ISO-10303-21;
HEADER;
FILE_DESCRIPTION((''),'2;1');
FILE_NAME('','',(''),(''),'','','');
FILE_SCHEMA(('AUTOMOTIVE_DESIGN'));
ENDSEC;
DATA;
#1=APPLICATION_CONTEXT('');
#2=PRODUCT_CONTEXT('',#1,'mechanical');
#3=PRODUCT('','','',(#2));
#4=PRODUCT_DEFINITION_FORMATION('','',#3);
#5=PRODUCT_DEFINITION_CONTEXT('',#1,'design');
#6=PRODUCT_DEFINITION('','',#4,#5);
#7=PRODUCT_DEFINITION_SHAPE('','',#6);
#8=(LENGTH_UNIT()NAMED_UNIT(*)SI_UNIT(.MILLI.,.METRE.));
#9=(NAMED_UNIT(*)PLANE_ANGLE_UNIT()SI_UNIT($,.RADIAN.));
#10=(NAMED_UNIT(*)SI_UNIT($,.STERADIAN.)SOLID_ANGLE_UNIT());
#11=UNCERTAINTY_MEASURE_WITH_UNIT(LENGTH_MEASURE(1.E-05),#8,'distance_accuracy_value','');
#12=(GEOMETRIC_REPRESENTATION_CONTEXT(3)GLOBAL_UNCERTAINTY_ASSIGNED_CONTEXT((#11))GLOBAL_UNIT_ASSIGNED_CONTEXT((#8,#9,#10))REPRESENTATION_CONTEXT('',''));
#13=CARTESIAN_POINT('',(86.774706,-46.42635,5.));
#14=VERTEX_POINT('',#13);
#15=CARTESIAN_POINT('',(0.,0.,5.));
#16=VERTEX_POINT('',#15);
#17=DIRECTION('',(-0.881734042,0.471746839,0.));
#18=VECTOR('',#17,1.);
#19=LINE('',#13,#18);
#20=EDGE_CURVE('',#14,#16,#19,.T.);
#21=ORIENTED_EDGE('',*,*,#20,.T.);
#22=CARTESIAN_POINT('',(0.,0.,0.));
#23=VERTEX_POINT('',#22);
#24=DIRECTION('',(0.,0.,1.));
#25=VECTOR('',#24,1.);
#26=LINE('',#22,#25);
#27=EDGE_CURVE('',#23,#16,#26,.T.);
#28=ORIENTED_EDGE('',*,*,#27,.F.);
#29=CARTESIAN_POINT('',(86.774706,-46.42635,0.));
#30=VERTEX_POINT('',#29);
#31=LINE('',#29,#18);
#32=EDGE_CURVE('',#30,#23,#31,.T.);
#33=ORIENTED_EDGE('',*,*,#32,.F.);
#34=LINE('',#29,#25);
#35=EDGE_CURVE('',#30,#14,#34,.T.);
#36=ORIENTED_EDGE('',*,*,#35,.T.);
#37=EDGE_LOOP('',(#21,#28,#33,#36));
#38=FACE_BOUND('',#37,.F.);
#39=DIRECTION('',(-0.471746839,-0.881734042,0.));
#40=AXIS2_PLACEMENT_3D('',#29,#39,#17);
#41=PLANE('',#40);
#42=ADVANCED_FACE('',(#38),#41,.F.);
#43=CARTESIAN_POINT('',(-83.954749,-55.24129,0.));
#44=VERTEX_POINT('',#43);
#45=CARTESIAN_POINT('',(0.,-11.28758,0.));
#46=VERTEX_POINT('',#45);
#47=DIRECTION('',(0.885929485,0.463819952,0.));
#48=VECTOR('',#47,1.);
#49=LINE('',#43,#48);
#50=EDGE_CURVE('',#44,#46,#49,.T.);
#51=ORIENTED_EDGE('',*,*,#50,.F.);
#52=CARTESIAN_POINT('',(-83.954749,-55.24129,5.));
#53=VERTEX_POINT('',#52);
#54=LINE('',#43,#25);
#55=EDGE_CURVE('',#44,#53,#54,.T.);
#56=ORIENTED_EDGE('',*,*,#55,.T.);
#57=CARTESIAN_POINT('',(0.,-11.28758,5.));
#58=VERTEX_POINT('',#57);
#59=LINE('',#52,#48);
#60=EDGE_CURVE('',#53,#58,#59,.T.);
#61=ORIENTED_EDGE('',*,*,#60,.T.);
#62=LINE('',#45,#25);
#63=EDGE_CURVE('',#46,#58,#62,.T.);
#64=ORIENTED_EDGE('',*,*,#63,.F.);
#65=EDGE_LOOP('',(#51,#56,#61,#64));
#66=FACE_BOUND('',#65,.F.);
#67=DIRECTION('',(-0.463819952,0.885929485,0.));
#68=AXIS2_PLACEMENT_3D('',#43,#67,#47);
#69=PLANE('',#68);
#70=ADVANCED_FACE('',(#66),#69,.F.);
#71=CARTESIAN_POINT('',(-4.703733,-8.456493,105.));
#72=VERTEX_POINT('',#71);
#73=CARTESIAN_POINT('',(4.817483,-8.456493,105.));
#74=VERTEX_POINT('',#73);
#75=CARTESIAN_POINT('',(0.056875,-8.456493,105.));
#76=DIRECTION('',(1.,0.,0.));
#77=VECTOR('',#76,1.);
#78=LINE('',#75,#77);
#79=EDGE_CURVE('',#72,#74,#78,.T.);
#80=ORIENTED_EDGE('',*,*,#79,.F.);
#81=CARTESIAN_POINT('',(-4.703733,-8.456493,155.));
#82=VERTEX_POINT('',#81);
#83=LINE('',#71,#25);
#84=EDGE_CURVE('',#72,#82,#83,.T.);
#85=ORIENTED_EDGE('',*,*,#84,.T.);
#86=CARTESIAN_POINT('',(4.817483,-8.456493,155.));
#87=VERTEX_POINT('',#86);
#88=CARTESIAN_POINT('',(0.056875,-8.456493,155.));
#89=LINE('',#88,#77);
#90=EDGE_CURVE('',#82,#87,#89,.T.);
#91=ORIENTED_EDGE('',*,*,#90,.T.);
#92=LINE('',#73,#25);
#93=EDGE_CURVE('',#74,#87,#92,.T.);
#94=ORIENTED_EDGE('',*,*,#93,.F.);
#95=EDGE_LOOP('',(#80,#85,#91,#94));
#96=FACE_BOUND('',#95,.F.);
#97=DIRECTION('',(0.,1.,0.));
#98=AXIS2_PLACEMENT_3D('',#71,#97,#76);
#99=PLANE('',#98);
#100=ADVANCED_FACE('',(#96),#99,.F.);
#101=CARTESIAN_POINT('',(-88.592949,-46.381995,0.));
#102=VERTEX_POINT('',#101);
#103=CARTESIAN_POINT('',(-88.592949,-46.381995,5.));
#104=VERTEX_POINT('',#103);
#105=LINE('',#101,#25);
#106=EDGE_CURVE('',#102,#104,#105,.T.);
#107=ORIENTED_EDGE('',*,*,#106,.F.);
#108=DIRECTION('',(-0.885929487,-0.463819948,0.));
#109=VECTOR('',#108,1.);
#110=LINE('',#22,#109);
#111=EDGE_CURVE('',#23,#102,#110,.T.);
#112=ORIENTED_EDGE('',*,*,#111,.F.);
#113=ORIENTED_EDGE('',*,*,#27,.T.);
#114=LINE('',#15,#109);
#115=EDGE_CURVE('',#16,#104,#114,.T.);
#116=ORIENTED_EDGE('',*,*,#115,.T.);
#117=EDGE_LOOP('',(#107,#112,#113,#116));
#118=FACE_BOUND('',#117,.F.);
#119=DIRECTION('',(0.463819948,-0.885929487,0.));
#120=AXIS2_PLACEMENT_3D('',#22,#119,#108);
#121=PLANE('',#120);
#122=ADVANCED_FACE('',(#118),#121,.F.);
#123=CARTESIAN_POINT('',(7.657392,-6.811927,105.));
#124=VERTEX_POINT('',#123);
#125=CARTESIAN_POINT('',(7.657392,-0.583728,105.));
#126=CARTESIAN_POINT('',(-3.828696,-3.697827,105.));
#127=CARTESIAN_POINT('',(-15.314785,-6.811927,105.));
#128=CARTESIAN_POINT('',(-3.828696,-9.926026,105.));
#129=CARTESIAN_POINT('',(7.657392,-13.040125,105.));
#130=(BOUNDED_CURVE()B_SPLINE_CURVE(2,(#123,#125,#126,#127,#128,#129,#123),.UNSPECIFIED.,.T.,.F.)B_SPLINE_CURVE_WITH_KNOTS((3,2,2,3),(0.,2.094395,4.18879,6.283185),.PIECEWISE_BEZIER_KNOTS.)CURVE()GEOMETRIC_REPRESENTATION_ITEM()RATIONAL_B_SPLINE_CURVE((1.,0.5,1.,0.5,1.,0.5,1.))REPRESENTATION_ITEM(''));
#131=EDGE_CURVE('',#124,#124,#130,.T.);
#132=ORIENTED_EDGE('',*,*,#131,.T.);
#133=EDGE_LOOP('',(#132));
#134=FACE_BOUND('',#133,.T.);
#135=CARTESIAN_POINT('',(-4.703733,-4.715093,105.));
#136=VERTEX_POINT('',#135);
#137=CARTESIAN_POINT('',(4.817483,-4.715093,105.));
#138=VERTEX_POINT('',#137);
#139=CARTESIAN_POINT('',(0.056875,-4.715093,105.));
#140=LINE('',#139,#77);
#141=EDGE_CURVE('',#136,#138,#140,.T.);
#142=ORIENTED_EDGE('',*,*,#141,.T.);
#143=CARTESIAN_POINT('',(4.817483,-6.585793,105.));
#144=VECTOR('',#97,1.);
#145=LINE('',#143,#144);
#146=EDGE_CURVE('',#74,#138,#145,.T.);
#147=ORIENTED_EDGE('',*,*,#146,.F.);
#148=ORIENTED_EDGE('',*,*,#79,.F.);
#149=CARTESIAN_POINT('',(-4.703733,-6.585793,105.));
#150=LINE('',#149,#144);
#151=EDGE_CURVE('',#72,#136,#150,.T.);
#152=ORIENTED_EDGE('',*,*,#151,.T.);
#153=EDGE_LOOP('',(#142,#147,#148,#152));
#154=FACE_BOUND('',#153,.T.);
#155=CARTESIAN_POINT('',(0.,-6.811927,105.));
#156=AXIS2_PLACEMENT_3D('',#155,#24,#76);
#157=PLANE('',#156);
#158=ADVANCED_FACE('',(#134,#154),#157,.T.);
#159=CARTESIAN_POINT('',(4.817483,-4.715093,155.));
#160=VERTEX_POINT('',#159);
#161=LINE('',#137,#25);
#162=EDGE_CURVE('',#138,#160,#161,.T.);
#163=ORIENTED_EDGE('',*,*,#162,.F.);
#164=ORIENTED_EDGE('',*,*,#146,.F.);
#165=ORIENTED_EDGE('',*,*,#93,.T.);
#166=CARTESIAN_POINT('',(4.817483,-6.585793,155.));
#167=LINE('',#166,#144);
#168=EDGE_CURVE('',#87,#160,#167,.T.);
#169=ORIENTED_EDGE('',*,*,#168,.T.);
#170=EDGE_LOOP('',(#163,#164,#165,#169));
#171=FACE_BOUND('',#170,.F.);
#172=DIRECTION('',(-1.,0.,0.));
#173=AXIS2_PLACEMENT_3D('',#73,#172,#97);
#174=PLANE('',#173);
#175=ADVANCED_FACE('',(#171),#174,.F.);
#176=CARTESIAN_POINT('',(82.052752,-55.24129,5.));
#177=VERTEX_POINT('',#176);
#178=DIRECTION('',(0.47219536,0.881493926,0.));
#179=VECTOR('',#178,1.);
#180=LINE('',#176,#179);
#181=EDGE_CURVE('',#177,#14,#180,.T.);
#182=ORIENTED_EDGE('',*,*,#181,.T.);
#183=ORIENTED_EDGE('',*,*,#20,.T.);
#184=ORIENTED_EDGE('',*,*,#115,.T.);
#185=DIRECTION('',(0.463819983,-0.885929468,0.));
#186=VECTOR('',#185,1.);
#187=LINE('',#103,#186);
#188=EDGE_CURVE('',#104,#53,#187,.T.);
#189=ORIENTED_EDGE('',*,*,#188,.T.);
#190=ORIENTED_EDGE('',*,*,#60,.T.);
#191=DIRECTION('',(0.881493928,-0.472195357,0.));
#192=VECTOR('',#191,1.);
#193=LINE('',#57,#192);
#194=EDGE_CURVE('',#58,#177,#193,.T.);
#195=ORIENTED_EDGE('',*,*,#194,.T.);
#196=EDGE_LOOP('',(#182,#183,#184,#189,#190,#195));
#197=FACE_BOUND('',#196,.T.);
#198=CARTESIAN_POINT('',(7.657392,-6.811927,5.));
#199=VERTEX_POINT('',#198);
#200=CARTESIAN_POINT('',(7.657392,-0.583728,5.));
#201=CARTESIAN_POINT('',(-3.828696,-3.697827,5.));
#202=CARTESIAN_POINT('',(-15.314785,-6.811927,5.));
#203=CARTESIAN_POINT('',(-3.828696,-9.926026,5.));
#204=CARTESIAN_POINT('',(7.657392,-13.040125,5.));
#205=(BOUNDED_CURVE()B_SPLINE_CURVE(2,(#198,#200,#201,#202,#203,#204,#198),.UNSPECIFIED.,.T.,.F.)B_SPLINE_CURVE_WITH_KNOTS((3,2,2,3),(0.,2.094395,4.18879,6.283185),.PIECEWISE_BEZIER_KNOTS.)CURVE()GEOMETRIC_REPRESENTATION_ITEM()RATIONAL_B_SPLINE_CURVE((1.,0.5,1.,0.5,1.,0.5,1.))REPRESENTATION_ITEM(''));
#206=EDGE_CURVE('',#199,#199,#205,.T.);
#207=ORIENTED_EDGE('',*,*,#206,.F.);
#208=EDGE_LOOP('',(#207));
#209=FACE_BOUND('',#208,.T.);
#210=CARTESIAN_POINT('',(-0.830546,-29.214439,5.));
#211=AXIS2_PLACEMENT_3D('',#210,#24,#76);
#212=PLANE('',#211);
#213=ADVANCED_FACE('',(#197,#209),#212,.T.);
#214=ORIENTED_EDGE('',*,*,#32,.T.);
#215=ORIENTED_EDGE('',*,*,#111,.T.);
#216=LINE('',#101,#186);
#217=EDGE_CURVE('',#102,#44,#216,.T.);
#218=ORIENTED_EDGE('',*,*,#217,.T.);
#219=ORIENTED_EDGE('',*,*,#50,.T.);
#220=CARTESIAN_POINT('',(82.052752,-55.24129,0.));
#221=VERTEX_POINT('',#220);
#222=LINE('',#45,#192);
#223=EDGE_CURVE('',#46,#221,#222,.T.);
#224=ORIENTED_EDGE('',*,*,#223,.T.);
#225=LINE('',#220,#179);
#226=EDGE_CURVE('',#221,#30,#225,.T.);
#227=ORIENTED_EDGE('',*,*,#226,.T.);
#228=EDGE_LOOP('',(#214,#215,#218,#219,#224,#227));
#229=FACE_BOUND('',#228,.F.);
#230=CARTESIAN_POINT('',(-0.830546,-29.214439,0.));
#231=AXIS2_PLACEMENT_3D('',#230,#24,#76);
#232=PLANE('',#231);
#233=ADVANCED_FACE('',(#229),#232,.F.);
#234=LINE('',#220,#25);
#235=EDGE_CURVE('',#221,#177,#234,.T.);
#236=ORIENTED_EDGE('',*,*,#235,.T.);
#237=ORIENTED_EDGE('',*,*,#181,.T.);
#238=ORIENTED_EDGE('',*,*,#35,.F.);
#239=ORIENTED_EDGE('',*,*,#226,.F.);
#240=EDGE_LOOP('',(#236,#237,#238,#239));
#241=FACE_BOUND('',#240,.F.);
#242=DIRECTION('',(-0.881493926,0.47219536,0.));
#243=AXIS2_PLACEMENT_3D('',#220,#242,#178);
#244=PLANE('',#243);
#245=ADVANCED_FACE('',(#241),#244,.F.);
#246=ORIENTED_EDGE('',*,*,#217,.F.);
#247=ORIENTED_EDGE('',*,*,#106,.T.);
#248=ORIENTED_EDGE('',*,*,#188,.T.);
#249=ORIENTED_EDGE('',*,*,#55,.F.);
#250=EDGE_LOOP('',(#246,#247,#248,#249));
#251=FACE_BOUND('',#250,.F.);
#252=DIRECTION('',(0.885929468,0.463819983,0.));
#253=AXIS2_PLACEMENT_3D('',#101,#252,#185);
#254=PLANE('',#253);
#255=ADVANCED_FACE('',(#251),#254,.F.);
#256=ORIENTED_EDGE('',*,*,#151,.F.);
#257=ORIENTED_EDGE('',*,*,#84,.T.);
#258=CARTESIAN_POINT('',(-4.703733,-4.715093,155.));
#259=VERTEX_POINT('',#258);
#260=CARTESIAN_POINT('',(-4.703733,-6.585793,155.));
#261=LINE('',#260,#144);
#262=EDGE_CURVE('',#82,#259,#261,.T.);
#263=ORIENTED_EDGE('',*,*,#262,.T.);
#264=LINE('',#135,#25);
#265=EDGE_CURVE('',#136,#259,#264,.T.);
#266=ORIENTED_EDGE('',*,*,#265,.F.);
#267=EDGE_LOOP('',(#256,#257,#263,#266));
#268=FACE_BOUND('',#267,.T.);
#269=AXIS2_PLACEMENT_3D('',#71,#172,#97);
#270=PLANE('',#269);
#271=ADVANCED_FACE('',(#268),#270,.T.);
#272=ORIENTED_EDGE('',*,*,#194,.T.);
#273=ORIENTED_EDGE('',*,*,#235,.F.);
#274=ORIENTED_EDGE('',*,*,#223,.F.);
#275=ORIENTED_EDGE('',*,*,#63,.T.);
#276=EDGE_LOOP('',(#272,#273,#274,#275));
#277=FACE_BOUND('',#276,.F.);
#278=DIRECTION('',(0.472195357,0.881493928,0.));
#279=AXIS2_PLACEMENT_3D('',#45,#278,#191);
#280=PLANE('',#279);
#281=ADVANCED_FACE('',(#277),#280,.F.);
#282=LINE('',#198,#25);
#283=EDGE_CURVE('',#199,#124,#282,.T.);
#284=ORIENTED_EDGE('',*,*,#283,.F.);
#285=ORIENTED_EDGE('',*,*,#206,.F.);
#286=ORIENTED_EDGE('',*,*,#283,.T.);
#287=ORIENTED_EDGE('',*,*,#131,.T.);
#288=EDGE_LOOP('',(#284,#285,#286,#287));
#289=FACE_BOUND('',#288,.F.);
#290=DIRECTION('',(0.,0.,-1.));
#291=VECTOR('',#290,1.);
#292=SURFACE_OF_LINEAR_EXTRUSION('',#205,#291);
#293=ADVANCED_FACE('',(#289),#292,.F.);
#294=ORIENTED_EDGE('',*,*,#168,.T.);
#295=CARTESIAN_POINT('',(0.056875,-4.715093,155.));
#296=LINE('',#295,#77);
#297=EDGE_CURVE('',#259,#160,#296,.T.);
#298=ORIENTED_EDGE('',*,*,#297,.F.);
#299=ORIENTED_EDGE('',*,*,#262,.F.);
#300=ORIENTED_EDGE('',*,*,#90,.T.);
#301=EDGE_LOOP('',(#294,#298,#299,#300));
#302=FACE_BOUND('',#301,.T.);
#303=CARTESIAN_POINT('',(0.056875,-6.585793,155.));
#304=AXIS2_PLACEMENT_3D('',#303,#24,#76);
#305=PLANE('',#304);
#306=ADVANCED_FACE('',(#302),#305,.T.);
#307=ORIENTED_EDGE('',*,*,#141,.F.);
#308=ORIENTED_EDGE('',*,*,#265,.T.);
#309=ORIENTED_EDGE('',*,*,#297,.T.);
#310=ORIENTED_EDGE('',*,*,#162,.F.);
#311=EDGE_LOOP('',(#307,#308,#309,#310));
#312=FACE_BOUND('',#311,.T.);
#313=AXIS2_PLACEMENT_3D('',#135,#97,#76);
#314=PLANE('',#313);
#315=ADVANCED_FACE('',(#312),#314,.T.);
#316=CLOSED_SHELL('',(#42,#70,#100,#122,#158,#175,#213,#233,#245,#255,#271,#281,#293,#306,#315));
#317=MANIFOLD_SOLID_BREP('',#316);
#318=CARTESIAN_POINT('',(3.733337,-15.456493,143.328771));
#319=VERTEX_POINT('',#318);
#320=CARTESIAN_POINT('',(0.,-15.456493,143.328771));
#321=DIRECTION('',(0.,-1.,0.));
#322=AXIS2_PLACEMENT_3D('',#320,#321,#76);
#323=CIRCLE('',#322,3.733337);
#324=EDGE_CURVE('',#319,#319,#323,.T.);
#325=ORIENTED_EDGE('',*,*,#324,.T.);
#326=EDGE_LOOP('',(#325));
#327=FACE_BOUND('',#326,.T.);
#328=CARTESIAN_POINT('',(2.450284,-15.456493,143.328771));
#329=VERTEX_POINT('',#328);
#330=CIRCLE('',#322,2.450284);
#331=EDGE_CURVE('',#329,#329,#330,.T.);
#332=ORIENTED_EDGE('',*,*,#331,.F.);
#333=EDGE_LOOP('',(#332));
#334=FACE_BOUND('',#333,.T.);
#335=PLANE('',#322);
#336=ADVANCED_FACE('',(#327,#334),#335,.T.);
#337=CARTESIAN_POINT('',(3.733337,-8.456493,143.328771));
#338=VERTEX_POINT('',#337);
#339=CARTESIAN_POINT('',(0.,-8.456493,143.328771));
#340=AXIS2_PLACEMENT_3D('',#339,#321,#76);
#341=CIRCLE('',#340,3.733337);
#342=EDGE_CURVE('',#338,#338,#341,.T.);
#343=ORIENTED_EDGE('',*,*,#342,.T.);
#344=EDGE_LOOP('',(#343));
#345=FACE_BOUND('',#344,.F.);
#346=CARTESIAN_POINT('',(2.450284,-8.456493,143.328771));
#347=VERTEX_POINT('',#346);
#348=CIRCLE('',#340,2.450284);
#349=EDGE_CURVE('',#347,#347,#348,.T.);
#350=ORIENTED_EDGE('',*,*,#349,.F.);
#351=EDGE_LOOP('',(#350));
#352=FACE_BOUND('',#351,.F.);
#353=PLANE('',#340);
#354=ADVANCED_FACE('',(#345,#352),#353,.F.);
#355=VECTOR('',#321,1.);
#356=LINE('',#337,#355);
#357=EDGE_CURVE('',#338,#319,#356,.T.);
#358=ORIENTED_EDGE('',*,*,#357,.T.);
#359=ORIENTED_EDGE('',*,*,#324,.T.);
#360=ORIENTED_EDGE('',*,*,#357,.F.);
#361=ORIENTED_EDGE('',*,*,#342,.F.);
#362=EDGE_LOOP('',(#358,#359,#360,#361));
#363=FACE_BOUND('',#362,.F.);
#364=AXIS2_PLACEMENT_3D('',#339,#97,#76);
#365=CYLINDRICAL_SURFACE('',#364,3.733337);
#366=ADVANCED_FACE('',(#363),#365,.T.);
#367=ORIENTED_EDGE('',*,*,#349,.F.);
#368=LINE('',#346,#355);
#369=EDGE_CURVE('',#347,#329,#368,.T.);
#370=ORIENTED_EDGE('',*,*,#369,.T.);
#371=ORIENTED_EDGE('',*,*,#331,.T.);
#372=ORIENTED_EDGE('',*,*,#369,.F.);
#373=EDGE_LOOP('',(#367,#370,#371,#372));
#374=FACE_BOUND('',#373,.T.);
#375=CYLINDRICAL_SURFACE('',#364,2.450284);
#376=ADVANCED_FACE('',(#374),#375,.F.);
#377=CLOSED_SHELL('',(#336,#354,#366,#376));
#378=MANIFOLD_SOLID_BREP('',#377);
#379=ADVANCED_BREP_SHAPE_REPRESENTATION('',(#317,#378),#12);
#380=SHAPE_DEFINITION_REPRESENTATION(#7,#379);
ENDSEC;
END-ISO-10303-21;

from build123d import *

# Parameters (mm, degrees)
F1_DEPTH = 5
F3_DEPTH = 100
F4_W     = 9.521216
F4_H     = 3.7414
F5_DEPTH = 50
F6_R     = 3.733337
F6_R_2   = 2.450284
F7_DEPTH = 7


with BuildPart() as f1:
    # F0 (on Top) → F1 (new body)
    with BuildSketch(Plane.XY):
        Polygon((86.774706, -46.42635), (0, 0), (-88.592949, -46.381995), (-83.954749, -55.24129), (0, -11.28758), (82.052752, -55.24129), align=None)
    extrude(amount=F1_DEPTH)

    # F2 (on face) → F3 (join)
    with BuildSketch(Plane.XY.offset(5)):
        with BuildLine():
            add(Edge.make_bspline(
                [(7.657392, -6.811927), (7.657392, -0.583728), (-3.828696, -3.697827), (-15.314785, -6.811927), (-3.828696, -9.926026), (7.657392, -13.040125), (7.657392, -6.811927)],
                knots=[0, 0, 0, 2.094395, 2.094395, 4.18879, 4.18879, 6.283185, 6.283185, 6.283185], degree=2, weights=[1, 0.5, 1, 0.5, 1, 0.5, 1]))
        make_face()
    extrude(amount=F3_DEPTH)

    # F4 (on face) → F5 (join)
    with BuildSketch(Plane.XY.offset(105)):
        with Locations((0.056875, -6.585793)):
            Rectangle(F4_W, F4_H)
    extrude(amount=F5_DEPTH)


with BuildPart() as f7:
    # F6 (on face) → F7 (new body)
    with BuildSketch(Plane.XZ.offset(8.456493)):
        with Locations((0, 143.328771)):
            Circle(F6_R)
        with Locations((0, 143.328771)):
            Circle(F6_R_2, mode=Mode.SUBTRACT)
    extrude(amount=F7_DEPTH)


solid = Compound([f1.part, f7.part])
